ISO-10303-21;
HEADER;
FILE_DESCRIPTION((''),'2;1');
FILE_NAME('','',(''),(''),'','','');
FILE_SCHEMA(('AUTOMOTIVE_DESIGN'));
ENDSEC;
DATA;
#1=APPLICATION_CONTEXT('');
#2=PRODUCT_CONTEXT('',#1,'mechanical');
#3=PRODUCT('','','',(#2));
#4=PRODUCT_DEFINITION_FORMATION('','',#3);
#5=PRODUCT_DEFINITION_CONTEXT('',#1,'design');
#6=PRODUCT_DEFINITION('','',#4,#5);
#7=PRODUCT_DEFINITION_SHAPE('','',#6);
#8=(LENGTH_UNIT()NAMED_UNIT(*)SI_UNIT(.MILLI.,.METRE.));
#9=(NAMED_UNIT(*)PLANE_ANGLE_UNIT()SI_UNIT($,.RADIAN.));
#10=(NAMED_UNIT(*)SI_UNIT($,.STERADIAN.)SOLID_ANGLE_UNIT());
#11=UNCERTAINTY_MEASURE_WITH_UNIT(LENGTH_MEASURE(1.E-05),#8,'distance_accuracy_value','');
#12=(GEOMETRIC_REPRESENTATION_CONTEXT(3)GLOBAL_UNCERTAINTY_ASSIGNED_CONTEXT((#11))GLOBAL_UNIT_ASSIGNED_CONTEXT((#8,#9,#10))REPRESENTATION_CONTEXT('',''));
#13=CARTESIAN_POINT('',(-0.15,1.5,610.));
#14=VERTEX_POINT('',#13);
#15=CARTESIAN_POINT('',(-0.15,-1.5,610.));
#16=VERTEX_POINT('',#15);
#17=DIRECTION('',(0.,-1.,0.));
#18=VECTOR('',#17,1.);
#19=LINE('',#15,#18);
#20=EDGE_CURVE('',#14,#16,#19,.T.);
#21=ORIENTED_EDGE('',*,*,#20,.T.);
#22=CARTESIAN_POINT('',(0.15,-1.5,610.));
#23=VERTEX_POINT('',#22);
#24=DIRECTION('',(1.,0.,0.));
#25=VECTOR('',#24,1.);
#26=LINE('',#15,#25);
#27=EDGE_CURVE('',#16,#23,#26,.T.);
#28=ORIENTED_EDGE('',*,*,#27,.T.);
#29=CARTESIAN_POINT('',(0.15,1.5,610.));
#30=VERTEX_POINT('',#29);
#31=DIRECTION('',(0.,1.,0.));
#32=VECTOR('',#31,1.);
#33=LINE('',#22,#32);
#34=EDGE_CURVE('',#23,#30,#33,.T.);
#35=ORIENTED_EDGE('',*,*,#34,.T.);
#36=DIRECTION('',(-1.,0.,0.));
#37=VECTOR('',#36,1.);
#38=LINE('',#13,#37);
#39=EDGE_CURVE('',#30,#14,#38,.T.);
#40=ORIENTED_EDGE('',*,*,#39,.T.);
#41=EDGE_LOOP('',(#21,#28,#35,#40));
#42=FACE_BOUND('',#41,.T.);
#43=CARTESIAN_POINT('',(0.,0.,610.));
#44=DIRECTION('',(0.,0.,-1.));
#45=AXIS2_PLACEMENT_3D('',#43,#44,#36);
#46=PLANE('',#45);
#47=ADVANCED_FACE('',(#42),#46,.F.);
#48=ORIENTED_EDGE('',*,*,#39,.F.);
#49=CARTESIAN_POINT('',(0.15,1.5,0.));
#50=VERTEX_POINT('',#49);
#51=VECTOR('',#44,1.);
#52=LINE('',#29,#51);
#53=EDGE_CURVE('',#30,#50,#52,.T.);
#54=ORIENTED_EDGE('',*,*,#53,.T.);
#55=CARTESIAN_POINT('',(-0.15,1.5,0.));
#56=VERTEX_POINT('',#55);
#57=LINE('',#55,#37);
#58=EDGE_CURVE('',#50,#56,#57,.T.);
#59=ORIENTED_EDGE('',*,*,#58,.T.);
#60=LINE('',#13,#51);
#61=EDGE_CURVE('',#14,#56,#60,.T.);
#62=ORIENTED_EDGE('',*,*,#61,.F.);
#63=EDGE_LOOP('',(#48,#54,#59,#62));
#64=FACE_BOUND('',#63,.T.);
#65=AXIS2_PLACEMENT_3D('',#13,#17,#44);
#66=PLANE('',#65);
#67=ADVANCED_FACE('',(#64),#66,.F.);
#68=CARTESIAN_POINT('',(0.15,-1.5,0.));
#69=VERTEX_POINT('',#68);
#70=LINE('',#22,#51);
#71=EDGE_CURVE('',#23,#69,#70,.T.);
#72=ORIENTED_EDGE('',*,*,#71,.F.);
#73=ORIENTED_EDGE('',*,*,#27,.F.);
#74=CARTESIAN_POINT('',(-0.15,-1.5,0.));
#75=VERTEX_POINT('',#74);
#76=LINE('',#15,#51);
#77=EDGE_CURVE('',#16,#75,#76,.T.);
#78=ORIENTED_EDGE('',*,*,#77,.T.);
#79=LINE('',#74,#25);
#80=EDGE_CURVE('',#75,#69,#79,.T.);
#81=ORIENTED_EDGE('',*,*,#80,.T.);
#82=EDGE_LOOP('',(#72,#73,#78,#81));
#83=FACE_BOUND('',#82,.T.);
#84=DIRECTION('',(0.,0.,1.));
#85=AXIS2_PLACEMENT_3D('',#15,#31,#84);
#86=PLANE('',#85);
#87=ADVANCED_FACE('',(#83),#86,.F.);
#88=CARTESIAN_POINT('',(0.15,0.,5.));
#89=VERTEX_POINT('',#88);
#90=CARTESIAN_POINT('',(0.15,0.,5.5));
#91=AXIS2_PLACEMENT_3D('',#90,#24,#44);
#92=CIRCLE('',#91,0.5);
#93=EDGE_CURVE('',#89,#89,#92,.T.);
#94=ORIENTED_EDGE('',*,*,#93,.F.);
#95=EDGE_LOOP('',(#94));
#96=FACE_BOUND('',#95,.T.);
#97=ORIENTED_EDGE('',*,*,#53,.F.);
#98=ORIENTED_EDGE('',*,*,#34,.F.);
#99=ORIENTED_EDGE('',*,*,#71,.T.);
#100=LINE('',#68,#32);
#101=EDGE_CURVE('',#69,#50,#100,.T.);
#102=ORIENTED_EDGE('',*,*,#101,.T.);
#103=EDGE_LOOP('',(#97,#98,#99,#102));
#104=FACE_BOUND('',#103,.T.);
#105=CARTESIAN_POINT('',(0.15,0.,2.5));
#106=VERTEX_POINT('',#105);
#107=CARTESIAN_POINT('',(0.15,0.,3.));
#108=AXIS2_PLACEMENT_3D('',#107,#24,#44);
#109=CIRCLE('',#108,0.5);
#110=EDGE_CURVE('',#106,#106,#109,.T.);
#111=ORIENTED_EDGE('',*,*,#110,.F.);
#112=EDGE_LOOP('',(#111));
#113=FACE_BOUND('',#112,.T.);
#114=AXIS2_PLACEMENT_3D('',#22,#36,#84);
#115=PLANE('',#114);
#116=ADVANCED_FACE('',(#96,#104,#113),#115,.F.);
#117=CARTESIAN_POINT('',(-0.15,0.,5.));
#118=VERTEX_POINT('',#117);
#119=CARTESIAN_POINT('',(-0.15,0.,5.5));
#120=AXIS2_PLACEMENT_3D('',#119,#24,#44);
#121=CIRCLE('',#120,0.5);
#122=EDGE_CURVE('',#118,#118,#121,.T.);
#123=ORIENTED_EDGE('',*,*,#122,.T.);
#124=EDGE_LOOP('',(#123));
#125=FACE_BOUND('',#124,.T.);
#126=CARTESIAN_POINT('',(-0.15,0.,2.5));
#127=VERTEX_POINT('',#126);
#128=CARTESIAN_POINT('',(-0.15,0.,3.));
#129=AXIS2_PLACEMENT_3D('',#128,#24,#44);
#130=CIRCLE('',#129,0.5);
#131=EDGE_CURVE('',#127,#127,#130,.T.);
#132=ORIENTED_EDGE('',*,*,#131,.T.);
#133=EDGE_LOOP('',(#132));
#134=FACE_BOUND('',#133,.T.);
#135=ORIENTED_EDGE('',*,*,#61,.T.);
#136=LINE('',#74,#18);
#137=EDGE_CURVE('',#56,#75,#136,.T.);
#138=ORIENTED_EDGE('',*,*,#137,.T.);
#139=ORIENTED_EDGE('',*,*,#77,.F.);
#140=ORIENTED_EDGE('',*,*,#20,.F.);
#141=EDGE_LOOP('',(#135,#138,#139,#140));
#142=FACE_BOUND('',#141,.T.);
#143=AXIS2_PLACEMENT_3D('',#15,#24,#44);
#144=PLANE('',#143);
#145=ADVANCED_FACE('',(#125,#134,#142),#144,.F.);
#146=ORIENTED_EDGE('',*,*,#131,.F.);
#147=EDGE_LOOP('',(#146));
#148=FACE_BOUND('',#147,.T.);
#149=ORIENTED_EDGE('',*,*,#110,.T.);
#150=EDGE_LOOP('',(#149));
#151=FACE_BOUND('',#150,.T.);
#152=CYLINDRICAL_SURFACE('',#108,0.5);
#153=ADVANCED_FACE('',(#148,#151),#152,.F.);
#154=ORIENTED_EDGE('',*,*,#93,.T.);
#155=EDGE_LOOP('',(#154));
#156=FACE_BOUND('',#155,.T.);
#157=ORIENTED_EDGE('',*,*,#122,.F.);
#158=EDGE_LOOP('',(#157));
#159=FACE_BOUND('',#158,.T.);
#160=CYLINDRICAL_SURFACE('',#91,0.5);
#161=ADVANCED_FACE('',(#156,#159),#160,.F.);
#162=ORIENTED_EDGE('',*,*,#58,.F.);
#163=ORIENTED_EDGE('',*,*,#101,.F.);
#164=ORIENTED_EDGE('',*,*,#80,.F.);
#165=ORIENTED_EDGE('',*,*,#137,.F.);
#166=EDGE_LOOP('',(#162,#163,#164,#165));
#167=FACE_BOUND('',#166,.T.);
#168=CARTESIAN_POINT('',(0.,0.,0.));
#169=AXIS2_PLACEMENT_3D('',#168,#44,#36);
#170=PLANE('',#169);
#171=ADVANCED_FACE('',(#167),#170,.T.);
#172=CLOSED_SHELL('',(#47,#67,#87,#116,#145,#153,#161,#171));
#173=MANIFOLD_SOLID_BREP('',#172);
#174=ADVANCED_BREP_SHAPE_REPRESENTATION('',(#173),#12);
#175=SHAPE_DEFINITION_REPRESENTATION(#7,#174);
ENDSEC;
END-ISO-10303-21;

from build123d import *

# Parameters (mm, degrees)
SKETCH1_W                = 0.3
SKETCH1_H                = 3
BOSS_EXTRUDE1_DEPTH      = 610
F_1_0_1_DIAMETER_HOLE1_D = 1


with BuildPart() as part:
    # Sketch1 → Boss-Extrude1 (new body)
    with BuildSketch(Plane.XY):
        Rectangle(SKETCH1_W, SKETCH1_H)
    extrude(amount=BOSS_EXTRUDE1_DEPTH)

    # Ø1.0 (1) Diameter Hole1 (through all)
    with Locations(Plane(origin=(0.15, 0, 0), x_dir=(0, 0, -1), z_dir=(1, 0, 0))):
        with Locations((-5.5, 0), (-3, 0)):
            Hole(F_1_0_1_DIAMETER_HOLE1_D / 2)


solid = part.part
